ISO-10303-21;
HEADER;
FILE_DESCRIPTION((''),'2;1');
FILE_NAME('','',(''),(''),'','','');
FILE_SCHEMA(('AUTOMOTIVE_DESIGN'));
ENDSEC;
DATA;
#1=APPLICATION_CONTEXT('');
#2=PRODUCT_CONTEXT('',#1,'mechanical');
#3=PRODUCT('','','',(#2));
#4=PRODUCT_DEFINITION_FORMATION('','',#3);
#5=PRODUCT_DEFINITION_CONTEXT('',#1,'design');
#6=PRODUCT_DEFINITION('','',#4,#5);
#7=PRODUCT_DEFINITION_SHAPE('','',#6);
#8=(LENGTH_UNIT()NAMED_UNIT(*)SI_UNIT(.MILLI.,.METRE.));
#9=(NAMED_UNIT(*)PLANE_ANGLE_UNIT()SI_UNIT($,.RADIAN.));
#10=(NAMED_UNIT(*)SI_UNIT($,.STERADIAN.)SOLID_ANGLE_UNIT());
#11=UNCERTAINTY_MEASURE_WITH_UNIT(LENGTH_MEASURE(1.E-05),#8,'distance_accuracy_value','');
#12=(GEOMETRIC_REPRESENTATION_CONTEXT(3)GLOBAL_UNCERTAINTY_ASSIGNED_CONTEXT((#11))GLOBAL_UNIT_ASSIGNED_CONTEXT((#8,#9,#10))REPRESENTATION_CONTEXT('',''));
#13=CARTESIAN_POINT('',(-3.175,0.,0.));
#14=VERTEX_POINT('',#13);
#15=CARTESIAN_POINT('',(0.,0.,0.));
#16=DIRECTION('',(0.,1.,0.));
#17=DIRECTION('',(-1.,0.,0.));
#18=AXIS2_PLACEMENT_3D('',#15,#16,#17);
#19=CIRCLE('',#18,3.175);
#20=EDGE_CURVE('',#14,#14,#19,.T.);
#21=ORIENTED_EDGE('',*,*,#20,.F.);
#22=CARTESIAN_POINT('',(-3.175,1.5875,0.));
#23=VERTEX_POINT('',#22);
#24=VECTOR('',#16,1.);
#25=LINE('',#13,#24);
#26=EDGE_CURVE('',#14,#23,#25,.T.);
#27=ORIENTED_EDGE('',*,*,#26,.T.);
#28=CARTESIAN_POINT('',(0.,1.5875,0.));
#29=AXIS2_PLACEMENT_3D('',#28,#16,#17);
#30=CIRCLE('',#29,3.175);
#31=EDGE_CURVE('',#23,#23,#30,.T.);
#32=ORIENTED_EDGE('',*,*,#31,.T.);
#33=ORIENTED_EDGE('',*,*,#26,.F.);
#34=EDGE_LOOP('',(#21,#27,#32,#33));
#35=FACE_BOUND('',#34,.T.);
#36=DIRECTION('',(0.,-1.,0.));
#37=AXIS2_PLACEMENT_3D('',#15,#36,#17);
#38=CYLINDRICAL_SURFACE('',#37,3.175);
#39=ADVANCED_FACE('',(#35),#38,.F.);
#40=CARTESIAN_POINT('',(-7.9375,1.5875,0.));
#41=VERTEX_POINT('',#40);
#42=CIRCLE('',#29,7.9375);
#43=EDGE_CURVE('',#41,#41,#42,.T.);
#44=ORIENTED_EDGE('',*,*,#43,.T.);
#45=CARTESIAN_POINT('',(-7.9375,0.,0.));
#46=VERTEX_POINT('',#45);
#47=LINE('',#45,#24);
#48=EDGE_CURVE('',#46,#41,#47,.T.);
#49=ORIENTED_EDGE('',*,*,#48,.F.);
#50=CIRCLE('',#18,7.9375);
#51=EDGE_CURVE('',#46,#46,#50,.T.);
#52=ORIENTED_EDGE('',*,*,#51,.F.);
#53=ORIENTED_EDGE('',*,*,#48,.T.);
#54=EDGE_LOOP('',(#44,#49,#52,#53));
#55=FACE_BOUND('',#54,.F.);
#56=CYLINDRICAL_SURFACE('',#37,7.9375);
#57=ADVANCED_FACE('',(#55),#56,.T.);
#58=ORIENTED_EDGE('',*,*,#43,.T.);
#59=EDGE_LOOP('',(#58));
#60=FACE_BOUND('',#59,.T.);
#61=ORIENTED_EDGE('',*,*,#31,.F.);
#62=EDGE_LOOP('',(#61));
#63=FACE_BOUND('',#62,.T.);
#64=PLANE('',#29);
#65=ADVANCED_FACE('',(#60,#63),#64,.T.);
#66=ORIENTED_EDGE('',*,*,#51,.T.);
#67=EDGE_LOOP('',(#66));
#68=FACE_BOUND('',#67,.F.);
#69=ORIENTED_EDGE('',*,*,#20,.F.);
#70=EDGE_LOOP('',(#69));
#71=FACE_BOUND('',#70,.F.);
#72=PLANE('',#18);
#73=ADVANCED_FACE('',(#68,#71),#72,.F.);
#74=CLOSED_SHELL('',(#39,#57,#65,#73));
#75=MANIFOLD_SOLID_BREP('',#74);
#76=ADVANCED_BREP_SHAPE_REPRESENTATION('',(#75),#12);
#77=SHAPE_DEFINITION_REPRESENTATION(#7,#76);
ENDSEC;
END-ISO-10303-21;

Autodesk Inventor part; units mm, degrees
ref_plane "YZ Plane" through (0, 0, 0) normal (1, 0, 0) x (0, 1, 0)
ref_plane "XZ Plane" through (0, 0, 0) normal (0, 1, 0) x (-1, 0, 0)
ref_plane "XY Plane" through (0, 0, 0) normal (0, 0, 1) x (1, 0, 0)
sketch "Sketch1" plane through (0, 0, 0) normal (0, 1, 0) x (-1, 0, 0)
  circle A0 centre (0, 0) radius 7.9375
  circle A1 centre (0, 0) radius 3.175
  dimension "d0" = 6.35
  dimension "d1" = 15.875
extrude "Extrusion1" add sketch "Sketch1" along normal blind 1.5875
properties part number "Thrust_Bearing_7532K11"
